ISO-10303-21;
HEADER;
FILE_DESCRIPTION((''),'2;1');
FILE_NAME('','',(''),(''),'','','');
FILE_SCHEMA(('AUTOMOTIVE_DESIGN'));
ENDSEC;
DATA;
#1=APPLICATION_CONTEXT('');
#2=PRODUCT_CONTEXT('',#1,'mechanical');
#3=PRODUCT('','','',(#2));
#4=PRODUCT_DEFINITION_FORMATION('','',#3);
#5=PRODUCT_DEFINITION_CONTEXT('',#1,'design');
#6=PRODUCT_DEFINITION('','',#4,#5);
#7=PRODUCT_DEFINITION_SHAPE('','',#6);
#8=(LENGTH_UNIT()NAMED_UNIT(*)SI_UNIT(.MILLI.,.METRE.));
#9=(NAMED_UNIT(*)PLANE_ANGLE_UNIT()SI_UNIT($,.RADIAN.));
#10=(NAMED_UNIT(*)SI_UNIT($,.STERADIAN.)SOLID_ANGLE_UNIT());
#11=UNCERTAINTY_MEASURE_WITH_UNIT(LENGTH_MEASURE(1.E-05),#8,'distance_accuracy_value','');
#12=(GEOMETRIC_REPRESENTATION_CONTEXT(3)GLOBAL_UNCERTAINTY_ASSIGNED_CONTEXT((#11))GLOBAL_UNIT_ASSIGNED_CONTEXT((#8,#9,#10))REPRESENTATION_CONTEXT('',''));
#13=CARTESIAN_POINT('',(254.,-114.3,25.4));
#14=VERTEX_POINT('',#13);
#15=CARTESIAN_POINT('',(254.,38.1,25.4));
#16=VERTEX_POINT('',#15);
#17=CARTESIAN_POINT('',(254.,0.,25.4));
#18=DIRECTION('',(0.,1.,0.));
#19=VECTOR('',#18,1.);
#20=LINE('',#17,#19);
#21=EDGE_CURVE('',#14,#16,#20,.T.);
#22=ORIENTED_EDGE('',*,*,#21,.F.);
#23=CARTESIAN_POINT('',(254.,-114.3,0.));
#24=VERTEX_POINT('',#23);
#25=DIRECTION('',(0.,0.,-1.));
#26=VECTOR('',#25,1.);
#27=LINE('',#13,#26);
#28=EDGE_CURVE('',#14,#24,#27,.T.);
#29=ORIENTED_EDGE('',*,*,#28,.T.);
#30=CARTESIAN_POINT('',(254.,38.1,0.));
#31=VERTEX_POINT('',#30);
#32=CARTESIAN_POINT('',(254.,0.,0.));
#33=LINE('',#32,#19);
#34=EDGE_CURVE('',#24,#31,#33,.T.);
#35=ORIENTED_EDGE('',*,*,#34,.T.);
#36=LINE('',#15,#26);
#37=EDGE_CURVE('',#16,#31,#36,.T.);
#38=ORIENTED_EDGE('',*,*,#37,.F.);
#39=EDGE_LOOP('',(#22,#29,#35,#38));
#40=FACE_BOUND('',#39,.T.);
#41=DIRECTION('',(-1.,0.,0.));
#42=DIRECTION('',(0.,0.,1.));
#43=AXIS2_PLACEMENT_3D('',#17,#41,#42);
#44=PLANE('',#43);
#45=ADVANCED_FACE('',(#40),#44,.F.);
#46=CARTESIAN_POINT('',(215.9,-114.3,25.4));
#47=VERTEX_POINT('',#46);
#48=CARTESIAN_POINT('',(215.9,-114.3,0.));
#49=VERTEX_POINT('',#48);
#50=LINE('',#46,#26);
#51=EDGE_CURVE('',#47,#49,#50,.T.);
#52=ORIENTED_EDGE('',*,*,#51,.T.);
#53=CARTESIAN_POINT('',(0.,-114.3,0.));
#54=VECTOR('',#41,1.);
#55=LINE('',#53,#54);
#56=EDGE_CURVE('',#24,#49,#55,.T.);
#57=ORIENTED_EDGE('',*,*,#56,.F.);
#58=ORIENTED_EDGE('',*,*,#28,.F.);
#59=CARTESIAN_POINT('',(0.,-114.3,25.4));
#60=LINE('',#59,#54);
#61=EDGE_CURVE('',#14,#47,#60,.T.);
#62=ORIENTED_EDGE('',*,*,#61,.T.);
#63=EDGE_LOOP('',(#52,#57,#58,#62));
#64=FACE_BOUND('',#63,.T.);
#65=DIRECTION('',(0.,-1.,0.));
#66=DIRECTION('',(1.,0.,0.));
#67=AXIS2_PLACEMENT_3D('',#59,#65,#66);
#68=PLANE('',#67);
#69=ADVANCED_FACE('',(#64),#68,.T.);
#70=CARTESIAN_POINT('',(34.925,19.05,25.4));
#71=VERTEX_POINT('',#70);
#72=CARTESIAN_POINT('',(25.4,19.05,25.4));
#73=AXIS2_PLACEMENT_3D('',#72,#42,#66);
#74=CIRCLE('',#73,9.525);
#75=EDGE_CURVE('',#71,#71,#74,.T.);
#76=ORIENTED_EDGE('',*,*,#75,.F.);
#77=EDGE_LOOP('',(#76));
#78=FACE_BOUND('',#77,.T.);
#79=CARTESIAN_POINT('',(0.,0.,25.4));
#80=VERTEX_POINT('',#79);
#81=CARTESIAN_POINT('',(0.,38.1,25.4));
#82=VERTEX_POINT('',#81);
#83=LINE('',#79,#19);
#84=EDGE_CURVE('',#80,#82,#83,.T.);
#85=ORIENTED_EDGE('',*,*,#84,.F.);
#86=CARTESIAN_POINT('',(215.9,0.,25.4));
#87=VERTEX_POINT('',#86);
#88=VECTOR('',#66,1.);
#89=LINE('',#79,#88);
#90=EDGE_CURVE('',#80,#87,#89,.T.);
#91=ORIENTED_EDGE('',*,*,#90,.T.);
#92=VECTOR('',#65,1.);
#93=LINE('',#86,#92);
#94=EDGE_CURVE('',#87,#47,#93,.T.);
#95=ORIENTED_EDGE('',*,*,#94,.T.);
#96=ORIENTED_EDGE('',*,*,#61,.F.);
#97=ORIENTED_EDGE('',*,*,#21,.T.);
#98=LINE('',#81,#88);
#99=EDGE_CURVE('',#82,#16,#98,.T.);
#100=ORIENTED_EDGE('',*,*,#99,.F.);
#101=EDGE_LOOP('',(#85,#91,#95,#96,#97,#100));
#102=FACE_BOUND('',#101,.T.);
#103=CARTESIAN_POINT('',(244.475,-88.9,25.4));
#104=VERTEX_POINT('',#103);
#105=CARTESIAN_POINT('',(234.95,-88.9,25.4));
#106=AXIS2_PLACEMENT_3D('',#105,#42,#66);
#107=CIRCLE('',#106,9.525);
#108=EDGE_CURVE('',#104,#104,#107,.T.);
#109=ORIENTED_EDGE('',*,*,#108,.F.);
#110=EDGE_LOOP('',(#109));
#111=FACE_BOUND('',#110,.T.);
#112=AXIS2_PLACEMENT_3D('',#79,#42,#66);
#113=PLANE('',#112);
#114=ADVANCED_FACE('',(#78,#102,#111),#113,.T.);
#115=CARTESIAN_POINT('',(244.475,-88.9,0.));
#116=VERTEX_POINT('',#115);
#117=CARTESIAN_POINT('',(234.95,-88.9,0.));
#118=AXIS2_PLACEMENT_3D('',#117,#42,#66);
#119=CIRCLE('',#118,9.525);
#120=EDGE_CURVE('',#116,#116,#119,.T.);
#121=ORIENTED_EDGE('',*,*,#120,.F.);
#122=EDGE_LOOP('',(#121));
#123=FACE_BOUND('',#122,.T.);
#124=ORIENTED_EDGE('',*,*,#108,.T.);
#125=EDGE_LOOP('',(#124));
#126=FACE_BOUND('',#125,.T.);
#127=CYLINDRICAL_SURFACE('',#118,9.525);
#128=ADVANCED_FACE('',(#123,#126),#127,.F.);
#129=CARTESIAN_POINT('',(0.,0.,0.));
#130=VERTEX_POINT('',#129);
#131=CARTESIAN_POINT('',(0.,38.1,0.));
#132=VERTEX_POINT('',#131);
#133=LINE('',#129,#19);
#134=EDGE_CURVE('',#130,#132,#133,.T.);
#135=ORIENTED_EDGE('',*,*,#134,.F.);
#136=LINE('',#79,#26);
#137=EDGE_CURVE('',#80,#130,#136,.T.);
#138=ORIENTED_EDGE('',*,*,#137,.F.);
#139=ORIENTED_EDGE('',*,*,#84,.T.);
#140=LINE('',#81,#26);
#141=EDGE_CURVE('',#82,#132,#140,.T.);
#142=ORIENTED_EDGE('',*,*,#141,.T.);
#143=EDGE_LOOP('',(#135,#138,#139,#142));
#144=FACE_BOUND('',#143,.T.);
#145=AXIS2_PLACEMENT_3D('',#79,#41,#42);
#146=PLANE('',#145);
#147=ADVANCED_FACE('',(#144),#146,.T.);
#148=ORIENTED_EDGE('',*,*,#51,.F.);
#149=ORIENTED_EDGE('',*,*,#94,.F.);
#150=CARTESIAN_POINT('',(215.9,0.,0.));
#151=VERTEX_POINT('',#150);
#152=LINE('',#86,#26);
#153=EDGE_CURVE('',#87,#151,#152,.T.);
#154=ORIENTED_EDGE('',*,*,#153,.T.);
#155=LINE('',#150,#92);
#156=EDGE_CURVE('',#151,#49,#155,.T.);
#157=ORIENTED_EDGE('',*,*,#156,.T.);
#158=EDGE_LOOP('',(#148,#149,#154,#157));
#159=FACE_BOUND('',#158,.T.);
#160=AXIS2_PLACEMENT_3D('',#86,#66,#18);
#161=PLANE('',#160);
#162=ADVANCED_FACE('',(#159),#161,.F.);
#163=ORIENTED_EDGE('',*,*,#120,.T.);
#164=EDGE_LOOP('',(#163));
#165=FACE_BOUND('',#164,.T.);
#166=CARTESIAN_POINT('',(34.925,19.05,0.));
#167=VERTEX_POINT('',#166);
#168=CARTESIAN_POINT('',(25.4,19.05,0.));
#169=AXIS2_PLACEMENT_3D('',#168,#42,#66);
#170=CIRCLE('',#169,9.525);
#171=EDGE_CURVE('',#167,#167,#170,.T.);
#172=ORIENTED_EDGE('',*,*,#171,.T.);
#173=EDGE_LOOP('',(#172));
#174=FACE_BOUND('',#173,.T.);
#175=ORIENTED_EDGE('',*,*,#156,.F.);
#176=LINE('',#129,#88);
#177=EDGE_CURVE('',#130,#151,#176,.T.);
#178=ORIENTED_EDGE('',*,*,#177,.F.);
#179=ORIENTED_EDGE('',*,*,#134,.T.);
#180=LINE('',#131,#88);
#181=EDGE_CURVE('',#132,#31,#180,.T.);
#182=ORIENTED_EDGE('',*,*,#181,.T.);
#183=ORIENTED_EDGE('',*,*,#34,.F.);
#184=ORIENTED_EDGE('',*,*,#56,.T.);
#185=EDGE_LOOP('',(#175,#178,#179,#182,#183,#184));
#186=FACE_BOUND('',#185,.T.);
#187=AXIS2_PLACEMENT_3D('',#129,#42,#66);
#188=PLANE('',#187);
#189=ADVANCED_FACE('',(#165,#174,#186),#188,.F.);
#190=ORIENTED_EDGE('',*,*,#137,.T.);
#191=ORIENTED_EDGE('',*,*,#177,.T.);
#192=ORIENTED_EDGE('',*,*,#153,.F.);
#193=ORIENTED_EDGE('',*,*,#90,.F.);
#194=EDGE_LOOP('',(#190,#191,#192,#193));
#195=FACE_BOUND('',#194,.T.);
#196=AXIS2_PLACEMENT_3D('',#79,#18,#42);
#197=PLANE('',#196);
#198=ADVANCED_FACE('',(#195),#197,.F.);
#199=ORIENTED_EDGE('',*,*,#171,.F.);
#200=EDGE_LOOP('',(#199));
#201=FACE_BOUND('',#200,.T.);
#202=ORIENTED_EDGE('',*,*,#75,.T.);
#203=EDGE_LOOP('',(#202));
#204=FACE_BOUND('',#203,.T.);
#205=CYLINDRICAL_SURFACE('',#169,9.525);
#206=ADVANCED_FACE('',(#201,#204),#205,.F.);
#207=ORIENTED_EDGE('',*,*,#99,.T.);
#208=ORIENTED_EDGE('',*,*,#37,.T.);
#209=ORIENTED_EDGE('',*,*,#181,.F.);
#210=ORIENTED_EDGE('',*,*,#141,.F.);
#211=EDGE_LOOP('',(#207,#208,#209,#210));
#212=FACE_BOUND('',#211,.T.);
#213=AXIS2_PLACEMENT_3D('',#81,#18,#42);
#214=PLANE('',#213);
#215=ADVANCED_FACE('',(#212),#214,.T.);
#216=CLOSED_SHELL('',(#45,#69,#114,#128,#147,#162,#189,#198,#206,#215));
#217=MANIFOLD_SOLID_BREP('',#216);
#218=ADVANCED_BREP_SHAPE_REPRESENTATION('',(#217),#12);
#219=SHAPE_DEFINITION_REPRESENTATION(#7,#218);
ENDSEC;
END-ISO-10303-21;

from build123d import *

# Parameters (mm, degrees)
SKETCH1_W           = 254
SKETCH1_H           = 38.1
SKETCH1_W_2         = 38.1
SKETCH1_H_2         = 114.3
BOSS_EXTRUDE1_DEPTH = 25.4
SKETCH2_R           = 9.525
CUT_EXTRUDE1_DEPTH  = 280.688487428
SKETCH3_R           = 9.525
CUT_EXTRUDE2_DEPTH  = 280.688487428


with BuildPart() as part:
    # Sketch1 → Boss-Extrude1 (new body)
    with BuildSketch(Plane.XY):
        with Locations((127, 19.05)):
            Rectangle(SKETCH1_W, SKETCH1_H)
        with Locations((234.95, -57.15)):
            Rectangle(SKETCH1_W_2, SKETCH1_H_2)
    extrude(amount=BOSS_EXTRUDE1_DEPTH)

    # Sketch2 → Cut-Extrude1 (cut, through all)
    with BuildSketch(Plane.XY.offset(25.4)):
        with Locations((25.4, 19.05)):
            Circle(SKETCH2_R)
    extrude(amount=-CUT_EXTRUDE1_DEPTH, mode=Mode.SUBTRACT)

    # Sketch3 → Cut-Extrude2 (cut, through all)
    with BuildSketch(Plane.XY.offset(25.4)):
        with Locations((234.95, -88.9)):
            Circle(SKETCH3_R)
    extrude(amount=-CUT_EXTRUDE2_DEPTH, mode=Mode.SUBTRACT)


solid = part.part
